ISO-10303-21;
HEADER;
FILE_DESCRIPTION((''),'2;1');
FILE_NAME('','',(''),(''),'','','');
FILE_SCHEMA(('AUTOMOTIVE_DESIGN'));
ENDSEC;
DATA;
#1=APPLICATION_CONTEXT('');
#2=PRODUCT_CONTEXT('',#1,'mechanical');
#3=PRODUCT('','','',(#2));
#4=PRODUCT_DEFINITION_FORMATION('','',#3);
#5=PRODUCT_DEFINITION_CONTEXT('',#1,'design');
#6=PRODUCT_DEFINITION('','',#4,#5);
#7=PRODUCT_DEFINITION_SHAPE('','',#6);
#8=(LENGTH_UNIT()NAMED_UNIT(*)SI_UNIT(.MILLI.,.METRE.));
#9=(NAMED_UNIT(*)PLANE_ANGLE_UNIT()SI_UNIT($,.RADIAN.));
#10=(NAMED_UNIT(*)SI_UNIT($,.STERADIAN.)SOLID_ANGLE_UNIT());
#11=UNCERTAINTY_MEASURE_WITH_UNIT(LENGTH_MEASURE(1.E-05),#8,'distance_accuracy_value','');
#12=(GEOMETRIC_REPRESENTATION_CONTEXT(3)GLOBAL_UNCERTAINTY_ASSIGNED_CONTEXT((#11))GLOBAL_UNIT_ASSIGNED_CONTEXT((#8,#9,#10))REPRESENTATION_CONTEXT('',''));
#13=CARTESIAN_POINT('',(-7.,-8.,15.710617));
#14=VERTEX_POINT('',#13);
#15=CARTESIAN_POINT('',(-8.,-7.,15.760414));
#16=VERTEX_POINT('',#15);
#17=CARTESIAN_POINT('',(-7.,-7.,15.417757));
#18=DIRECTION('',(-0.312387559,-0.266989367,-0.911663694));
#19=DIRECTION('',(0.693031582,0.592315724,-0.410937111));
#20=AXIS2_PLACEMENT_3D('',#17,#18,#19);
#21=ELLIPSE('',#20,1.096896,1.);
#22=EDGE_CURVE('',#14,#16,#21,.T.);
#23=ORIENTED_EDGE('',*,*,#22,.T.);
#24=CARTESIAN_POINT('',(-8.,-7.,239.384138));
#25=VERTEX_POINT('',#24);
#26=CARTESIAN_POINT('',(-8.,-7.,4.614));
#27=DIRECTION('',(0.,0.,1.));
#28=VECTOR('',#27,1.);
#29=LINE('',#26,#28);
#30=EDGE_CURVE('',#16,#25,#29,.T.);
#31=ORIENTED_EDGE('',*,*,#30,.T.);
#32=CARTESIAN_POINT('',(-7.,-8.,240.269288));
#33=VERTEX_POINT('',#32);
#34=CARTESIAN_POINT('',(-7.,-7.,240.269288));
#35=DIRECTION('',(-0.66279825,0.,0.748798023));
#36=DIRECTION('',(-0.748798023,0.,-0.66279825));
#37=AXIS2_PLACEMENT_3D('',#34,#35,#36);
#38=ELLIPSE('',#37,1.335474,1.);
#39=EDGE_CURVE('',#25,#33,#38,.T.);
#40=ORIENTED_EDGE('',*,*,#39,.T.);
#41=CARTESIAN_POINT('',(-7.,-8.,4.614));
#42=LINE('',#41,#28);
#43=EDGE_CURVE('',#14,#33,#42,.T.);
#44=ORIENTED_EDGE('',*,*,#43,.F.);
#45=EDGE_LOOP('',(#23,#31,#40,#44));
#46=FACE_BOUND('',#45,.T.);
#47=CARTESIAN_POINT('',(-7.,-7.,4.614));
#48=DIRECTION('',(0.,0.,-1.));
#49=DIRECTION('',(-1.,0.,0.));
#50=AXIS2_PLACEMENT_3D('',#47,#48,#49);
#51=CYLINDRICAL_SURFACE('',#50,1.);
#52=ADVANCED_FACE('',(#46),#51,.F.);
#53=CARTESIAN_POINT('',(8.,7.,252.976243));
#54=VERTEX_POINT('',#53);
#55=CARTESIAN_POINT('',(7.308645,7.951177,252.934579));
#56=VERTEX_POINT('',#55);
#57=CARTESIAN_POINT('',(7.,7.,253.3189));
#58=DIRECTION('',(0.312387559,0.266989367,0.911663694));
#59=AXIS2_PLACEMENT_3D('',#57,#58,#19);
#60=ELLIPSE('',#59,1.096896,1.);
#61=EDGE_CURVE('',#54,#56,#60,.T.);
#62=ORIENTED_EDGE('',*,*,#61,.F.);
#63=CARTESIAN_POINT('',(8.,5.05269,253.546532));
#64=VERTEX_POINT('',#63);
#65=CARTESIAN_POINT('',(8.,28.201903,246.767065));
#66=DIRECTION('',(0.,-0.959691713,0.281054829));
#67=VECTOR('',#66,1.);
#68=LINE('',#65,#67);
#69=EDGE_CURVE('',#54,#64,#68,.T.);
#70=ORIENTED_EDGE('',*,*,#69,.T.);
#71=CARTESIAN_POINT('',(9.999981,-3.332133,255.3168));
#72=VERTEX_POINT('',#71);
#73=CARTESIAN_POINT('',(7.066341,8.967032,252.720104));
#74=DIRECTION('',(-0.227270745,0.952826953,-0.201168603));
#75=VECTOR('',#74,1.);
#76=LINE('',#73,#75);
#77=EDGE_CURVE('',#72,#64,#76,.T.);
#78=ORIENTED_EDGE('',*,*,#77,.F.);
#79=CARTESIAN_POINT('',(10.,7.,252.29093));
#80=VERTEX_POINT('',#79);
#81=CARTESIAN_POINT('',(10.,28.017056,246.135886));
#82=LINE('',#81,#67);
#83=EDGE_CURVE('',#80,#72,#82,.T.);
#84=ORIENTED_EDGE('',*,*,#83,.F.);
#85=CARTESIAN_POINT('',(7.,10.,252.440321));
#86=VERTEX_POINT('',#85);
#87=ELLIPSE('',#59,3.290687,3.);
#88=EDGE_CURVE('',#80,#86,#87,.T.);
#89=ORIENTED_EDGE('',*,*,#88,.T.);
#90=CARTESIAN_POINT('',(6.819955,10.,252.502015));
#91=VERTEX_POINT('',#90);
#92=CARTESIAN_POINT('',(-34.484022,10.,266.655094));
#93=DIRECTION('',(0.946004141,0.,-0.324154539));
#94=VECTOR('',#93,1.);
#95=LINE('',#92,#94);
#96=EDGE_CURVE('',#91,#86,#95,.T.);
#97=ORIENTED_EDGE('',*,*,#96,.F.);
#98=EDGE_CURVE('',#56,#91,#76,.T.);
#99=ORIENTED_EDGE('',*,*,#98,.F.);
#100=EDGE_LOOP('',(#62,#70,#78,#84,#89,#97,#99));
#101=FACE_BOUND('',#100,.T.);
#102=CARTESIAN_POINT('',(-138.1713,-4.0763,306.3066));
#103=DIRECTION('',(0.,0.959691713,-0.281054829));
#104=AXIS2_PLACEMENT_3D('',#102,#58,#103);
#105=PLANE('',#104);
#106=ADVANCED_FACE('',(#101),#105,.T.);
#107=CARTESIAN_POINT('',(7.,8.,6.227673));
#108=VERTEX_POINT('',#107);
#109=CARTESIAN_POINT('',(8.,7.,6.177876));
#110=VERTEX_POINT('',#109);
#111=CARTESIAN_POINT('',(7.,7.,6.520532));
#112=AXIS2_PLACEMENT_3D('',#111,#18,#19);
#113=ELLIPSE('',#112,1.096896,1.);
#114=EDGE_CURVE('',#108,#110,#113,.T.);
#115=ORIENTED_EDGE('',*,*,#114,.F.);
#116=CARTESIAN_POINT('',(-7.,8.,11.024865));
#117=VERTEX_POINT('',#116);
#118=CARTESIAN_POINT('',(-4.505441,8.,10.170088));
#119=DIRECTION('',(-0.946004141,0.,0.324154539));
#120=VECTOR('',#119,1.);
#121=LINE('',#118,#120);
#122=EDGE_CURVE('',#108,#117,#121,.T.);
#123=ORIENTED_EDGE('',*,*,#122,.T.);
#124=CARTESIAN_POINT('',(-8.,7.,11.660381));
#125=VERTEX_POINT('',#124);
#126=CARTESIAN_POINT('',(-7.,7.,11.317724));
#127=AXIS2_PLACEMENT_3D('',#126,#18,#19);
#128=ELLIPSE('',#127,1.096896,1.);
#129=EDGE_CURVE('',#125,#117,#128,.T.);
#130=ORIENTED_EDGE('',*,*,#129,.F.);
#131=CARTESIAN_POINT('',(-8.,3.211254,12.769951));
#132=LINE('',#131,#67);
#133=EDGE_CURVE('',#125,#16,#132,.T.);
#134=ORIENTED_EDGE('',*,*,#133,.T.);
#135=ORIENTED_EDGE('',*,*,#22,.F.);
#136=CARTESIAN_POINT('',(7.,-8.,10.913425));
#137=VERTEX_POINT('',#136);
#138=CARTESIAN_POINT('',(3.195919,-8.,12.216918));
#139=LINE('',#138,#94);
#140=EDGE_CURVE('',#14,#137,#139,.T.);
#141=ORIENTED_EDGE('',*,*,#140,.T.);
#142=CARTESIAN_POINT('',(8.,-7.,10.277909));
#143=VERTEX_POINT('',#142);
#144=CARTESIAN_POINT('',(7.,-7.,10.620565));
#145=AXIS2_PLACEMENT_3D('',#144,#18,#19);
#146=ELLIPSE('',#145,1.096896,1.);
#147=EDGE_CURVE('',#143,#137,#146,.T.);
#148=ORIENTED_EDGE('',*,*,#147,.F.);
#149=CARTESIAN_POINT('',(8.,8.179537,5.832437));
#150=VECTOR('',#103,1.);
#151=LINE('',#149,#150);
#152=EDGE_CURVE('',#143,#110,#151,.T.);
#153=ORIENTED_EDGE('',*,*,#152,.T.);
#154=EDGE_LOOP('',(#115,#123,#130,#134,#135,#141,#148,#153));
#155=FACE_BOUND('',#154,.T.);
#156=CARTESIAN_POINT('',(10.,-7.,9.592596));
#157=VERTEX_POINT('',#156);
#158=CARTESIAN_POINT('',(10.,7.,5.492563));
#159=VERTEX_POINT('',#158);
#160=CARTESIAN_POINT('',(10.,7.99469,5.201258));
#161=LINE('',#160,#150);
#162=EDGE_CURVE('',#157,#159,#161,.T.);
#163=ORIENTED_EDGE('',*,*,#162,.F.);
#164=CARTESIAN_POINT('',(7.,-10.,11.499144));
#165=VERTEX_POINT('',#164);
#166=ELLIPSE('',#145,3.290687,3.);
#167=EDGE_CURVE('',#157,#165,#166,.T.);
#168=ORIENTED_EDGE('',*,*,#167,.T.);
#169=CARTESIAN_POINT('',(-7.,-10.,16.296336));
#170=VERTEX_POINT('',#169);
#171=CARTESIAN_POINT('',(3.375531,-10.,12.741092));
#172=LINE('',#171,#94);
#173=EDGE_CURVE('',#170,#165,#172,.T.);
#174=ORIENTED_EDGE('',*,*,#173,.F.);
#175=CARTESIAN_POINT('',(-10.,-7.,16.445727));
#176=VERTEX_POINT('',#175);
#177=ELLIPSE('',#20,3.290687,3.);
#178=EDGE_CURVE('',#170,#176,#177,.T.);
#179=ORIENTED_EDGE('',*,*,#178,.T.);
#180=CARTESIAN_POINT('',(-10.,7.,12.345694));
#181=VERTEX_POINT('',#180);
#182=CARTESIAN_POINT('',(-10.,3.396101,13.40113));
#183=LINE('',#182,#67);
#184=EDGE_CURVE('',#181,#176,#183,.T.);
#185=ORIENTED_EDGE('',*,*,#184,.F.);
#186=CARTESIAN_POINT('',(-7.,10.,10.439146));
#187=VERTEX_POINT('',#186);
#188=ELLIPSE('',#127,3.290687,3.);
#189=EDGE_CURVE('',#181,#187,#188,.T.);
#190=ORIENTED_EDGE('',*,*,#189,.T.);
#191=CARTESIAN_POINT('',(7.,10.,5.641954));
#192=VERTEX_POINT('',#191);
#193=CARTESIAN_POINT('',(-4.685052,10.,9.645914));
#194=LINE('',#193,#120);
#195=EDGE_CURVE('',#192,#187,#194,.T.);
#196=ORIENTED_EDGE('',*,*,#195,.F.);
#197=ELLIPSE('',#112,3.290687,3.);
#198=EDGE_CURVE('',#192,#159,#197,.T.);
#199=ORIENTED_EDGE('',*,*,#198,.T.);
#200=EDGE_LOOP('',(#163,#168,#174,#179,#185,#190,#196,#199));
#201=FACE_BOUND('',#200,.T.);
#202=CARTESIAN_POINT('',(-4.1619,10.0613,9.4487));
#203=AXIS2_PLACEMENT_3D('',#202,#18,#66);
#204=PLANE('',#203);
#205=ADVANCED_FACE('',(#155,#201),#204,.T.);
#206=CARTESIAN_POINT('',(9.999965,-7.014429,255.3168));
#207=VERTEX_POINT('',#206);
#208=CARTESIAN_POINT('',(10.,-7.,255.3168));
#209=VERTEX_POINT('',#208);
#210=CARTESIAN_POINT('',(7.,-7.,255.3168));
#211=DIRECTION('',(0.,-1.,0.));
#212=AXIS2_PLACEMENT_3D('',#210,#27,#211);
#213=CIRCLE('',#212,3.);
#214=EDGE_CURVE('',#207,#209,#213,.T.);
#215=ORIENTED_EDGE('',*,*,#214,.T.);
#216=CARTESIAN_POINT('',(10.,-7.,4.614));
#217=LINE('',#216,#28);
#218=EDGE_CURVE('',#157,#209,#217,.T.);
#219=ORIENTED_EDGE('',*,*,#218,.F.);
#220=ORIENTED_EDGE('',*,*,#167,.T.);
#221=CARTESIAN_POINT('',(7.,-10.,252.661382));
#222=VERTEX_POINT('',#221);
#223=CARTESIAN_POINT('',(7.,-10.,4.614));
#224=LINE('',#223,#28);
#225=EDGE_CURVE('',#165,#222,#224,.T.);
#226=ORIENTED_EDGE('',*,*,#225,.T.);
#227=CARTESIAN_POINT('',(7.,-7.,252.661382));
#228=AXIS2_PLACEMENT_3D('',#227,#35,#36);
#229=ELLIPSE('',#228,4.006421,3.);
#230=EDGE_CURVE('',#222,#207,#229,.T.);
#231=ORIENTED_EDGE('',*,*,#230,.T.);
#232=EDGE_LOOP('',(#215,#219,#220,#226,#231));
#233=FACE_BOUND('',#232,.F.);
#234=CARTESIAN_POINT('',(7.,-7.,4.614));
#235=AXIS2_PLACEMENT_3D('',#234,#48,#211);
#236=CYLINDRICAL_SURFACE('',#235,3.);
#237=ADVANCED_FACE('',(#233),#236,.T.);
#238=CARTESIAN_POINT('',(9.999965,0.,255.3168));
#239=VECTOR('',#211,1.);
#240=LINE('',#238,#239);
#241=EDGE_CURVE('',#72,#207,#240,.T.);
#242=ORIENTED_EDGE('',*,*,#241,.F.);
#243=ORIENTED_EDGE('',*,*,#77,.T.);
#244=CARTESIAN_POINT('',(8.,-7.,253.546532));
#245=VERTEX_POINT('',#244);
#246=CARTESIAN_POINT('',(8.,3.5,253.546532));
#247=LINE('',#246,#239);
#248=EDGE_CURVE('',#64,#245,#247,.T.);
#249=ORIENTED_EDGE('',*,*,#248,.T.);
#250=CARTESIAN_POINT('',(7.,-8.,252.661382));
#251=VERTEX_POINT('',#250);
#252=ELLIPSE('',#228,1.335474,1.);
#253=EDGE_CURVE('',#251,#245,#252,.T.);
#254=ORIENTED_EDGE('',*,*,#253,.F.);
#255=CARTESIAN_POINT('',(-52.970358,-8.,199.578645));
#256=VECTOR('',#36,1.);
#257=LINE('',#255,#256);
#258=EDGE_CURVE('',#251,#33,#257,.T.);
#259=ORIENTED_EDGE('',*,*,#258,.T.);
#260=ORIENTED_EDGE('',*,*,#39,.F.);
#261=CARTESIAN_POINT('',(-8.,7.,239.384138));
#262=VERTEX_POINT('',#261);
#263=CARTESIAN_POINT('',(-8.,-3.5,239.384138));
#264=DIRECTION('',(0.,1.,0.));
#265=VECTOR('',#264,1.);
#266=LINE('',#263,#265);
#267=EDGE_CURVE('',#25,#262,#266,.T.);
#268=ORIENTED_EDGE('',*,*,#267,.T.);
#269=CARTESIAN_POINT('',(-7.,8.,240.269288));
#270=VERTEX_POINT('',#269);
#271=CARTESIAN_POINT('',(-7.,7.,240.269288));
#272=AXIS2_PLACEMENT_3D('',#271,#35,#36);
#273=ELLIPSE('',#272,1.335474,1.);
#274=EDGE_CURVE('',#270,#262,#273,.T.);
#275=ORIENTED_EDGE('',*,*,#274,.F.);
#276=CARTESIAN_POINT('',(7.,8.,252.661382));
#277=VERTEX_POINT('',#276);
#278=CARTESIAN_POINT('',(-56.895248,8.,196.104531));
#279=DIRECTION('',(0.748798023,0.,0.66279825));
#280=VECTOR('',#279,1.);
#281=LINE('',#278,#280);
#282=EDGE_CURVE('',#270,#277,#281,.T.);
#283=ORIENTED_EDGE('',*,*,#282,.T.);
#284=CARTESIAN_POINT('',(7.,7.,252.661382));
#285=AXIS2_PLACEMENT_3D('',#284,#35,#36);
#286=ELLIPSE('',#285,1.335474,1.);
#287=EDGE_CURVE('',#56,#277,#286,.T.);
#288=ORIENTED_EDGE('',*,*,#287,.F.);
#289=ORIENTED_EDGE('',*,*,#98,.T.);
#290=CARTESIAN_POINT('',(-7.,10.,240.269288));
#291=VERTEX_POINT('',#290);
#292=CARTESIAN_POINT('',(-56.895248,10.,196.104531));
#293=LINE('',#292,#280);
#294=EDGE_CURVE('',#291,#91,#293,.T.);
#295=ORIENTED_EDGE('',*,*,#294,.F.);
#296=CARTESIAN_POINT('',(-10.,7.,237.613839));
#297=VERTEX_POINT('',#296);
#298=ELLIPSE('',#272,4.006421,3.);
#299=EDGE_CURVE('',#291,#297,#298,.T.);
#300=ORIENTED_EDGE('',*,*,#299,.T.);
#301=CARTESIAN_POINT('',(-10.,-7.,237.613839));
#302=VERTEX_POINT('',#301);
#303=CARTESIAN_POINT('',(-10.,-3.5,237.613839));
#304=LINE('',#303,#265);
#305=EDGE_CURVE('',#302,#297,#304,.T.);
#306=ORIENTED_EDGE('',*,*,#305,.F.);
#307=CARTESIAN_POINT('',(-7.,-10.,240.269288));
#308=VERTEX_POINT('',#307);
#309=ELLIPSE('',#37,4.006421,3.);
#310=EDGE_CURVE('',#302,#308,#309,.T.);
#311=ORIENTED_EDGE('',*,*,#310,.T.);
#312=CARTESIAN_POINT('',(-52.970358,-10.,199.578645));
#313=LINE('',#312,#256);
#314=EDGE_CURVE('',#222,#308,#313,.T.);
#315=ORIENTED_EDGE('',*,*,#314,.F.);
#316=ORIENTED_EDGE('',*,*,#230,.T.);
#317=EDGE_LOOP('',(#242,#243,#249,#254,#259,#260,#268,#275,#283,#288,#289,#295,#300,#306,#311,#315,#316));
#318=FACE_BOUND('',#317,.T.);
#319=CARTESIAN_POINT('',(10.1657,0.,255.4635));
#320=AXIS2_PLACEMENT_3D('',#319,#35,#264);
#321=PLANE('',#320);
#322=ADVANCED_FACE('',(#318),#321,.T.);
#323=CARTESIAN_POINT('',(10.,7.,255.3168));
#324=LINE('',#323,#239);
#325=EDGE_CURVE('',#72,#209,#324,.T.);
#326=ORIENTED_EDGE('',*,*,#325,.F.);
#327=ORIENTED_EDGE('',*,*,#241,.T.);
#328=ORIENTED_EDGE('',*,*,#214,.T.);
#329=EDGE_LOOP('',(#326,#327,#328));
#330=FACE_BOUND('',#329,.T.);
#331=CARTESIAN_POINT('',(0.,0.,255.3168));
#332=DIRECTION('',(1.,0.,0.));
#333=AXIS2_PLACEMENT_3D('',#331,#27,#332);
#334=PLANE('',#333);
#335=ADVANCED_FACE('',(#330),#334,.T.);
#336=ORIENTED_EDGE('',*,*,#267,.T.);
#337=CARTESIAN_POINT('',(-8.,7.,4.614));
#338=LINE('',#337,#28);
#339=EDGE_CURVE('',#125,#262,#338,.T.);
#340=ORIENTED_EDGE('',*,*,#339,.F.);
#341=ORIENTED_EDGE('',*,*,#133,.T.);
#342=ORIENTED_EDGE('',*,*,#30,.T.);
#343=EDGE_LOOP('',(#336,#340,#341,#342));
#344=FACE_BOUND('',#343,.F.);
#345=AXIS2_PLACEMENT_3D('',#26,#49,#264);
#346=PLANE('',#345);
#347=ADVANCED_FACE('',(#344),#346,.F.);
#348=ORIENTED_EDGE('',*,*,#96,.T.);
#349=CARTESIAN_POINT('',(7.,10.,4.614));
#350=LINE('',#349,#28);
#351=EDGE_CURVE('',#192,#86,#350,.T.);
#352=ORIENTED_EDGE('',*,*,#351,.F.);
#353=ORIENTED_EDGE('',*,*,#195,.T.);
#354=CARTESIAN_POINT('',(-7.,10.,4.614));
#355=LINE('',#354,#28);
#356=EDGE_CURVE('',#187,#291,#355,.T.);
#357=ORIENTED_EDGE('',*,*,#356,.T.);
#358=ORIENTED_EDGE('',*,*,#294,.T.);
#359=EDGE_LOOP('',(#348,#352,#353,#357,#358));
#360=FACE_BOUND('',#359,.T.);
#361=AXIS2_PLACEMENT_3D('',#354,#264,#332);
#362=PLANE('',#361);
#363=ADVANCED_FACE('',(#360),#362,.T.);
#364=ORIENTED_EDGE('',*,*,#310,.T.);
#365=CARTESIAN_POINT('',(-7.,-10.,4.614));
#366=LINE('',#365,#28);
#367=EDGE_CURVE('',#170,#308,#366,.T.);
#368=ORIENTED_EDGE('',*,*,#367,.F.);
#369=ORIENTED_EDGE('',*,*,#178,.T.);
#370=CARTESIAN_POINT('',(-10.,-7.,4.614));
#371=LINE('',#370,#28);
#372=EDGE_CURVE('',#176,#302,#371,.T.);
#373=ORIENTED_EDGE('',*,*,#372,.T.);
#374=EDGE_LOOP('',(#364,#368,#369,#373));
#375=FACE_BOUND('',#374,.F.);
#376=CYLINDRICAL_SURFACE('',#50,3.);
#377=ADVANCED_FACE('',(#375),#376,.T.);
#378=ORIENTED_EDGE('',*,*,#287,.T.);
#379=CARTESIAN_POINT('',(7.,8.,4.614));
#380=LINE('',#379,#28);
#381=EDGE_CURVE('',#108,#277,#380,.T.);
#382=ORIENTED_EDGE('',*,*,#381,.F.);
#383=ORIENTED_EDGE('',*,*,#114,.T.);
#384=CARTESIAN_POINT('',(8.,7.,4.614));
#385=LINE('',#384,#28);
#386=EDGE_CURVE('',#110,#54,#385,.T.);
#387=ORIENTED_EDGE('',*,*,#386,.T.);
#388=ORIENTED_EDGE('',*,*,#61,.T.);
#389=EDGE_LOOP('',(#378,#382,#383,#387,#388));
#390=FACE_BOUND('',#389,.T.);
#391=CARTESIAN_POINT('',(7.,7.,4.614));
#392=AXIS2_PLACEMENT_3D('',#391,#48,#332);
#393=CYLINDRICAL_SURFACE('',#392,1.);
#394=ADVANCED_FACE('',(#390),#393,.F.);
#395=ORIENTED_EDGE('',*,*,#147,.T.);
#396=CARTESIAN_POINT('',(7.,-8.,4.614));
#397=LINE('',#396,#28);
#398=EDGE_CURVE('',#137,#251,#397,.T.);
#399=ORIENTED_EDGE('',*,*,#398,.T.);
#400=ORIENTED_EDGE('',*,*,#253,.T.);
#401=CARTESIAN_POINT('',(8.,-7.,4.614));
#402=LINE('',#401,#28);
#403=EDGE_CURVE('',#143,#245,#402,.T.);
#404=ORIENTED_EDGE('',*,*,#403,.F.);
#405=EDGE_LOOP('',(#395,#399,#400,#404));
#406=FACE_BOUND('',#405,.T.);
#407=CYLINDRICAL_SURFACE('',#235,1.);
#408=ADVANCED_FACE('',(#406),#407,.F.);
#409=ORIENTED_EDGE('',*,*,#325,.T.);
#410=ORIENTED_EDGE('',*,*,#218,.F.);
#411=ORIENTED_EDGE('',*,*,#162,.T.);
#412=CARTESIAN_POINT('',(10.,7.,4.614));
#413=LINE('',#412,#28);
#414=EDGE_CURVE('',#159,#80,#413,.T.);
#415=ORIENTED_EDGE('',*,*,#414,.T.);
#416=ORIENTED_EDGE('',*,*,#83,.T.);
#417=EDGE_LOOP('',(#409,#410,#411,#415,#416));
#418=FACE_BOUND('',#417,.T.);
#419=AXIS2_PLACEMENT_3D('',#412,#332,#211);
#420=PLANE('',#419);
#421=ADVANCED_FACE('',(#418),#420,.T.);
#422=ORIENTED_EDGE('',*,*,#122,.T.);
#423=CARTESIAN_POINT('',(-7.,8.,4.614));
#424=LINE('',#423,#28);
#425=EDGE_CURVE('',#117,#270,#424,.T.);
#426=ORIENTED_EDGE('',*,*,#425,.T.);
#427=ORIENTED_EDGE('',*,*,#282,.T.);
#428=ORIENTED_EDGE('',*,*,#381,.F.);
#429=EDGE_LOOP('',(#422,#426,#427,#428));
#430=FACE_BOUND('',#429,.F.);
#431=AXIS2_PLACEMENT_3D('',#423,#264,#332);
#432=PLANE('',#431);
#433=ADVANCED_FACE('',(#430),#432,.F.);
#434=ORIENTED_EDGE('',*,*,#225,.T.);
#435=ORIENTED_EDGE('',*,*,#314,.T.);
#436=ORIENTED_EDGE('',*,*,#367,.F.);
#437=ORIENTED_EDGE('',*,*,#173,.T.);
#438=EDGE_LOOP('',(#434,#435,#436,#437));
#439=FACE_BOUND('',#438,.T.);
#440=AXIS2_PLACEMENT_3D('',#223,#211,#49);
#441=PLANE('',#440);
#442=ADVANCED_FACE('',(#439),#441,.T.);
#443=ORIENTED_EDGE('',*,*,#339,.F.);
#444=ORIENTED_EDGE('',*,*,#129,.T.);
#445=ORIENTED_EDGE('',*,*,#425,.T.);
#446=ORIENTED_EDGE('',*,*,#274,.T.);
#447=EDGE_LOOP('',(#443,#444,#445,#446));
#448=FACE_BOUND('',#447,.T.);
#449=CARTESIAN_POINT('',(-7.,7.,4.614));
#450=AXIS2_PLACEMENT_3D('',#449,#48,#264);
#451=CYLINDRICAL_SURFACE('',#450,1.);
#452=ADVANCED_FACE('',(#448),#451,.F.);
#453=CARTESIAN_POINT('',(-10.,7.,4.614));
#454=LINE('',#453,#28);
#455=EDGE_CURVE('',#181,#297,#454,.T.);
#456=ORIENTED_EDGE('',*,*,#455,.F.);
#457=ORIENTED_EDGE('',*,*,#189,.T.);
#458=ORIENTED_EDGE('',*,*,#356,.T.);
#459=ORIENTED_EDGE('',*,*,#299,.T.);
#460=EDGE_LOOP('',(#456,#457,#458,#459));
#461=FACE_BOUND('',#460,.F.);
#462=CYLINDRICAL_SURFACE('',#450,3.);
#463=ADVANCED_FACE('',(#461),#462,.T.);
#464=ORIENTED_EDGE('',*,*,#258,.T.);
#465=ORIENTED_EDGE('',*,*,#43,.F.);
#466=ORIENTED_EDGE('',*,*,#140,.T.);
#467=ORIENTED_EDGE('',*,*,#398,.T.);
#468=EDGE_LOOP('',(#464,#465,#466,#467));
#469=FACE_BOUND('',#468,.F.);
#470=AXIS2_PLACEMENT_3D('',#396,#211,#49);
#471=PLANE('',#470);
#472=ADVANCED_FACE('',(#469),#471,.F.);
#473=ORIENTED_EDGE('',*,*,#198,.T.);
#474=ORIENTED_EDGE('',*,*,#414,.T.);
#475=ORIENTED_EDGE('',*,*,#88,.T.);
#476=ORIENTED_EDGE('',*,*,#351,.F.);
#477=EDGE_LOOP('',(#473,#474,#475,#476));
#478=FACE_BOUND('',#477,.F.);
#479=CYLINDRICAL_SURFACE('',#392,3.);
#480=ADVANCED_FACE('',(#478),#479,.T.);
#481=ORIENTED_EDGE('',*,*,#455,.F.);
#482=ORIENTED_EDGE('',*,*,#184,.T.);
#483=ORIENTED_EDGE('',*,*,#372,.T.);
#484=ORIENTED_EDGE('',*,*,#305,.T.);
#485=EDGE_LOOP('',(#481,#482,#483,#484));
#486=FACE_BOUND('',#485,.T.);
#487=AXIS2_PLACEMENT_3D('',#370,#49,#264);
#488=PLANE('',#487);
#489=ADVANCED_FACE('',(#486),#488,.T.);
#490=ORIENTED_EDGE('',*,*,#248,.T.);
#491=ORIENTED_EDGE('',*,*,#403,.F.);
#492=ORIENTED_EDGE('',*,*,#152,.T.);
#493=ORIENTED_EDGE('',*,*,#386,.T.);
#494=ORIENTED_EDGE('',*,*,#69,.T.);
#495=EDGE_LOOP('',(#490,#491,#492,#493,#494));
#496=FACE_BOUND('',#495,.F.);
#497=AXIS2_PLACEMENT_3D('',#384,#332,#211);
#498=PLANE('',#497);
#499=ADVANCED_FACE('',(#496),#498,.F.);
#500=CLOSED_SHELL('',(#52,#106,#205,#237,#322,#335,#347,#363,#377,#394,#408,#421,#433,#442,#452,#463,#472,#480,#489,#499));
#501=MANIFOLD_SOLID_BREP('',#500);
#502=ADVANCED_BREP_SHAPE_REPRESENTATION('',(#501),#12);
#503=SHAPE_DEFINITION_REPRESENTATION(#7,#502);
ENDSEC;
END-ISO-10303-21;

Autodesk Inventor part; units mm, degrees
ref_plane "Start Plane" through (0, 0, 4.614) normal (0, 0, 1) x (1, 0, 0)
ref_plane "End Plane" through (0, 0, 255.3168) normal (0, 0, 1) x (1, 0, 0)
sketch "Sketch" plane through (0, 0, 0) normal (0, 0, 1) x (1, 0, 0)
  line L0 (-10, -7) -> (-10, 7)
  line L1 (-7, 10) -> (7, 10)
  line L2 (10, 7) -> (10, -7)
  line L3 (7, -10) -> (-7, -10)
  arc A0 (-10, -7) -> (-7, -10) centre (-7, -7) ccw
  arc A1 (-7, 10) -> (-10, 7) centre (-7, 7) ccw
  arc A2 (10, 7) -> (7, 10) centre (7, 7) ccw
  arc A3 (7, -10) -> (10, -7) centre (7, -7) ccw
  arc A4 (-7, 8) -> (-8, 7) centre (-7, 7) ccw
  line L4 (-7, 8) -> (7, 8)
  arc A5 (8, 7) -> (7, 8) centre (7, 7) ccw
  line L5 (8, 7) -> (8, -7)
  arc A6 (7, -8) -> (8, -7) centre (7, -7) ccw
  line L6 (7, -8) -> (-7, -8)
  arc A7 (-8, -7) -> (-7, -8) centre (-7, -7) ccw
  line L7 (-8, -7) -> (-8, 7)
  line L8 (0, 14.8698) -> (0, -14.8698) construction
  line L9 (-14.8698, 0) -> (14.8698, 0) construction
  dimension "d7" = 3
  dimension "d10" = 20
  dimension "d11" = 20
  dimension "d12" = 2
  dimension "d15" = 10
  dimension "d16" = 10
extrude "Body" add sketch "Sketch" along normal up to surface (250.7028 mm away) from surface at 4.614
sketch "Sketch3" plane through (0, 0, 0) normal (0, 0, 1) x (1, 0, 0)
  line L0 (0, 0) -> (10, 0)
ref_plane "Work Plane3" through (0, 0, 0) normal (0, -1, 0) x (1, 0, 0)
sketch "Sketch4" plane through (0, 0, 0) normal (0, -1, 0) x (1, 0, 0)
  line L0 (-2, 4.614) -> (12, 4.614)
  line L1 (-2, 255.3168) -> (12, 255.3168)
  dimension "d18" = 250.7028
ref_plane "Work Plane4" through (10.1657, 0, 255.4635) normal (-0.6628, 0, 0.7488) x (0.7488, 0, 0.6628)
split "Split1" plane through (10.1657, 0, 255.4635) removes the side toward (-0.6628, 0, 0.7488)
ref_plane "Work Plane8" through (-138.1713, -4.0763, 306.3066) normal (0.3124, 0.267, 0.9117) x (0.949, -0.0436, -0.3124)
split "Split2" plane through (-138.1713, -4.0763, 306.3066) removes the side toward (0.3124, 0.267, 0.9117)
ref_plane "Work Plane9" through (-4.1619, 10.0613, 9.4487) normal (-0.3124, -0.267, -0.9117) x (-0.1048, -0.9442, 0.3124)
split "Split3" plane through (-4.1619, 10.0613, 9.4487) removes the side toward (-0.3124, -0.267, -0.9117)
equation "\"d7\" = G_IR"
equation "\"d10\" = G_H"
equation "\"d11\" = G_W"
equation "\"d12\" = G_T"
equation "\"d15\" = 0.5 * d10"
equation "\"d16\" = 0.5 * d11"
equation "\"d3\" = G_L"
equation "\"G_W\" = 20"
equation "\"G_H\" = 20"
equation "\"G_T\" = 2"
equation "\"G_IR\" = 3"
equation "\"G_L\" = 250.12582"
equation "\"G_OFFSET_START\" = -4.61403"
equation "\"G_OFFSET_END\" = 8.51725"
equation "\"d13\" = -G_OFFSET_START"
equation "\"d14\" = G_OFFSET_END + B_L"
equation "\"B_L\" = 246.79957"
properties part number "ISO 12633-2 - 20x20x2 - 250,13" material "Steel, Mild"
